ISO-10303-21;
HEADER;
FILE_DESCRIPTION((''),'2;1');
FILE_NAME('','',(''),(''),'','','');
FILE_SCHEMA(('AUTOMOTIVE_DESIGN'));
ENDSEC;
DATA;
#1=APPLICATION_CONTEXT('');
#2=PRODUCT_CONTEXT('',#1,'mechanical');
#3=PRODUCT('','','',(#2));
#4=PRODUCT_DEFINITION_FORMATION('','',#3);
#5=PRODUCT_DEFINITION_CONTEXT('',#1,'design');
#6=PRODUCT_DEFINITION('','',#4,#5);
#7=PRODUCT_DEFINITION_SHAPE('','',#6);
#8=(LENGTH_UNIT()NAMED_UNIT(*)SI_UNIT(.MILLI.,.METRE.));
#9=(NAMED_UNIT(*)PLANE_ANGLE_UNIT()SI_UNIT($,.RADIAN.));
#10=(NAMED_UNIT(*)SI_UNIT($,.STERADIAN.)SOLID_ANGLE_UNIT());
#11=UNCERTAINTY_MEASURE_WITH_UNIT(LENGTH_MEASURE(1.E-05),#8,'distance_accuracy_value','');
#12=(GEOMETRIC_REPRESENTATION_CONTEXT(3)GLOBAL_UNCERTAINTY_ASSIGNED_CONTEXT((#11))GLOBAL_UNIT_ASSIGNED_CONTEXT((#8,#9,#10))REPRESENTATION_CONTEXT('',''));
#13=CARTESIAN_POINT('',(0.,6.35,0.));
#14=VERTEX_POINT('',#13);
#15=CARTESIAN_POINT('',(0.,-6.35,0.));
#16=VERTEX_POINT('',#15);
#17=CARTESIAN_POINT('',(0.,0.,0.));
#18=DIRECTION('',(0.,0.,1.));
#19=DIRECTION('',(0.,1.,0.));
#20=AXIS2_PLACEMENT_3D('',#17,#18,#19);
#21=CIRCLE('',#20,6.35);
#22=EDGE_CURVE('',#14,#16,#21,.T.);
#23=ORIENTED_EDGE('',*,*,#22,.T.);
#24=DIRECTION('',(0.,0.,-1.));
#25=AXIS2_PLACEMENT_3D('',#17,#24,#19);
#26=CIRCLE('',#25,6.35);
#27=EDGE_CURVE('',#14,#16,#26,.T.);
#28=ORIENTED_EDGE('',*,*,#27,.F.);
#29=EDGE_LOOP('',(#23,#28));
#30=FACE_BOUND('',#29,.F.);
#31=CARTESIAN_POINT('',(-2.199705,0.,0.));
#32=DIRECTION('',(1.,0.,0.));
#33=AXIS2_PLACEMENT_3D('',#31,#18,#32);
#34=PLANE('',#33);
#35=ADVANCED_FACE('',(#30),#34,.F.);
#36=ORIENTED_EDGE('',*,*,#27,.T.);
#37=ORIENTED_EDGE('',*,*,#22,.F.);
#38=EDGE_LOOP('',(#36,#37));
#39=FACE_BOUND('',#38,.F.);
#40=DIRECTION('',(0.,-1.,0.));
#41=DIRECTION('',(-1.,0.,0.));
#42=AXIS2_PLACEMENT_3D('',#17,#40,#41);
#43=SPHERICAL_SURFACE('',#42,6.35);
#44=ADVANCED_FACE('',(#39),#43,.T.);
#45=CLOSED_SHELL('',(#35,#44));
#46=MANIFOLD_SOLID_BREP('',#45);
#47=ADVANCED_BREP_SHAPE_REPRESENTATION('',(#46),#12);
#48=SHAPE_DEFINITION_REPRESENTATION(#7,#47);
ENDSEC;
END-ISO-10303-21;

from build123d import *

# Parameters (mm, degrees)
F1_ANGLE = -180


with BuildPart() as f1:
    # F0 (on Top) → F1 (revolve)
    with BuildSketch(Plane.XY):
        with BuildLine():
            Line((0, -6.35), (0, 0))
            Line((0, 0), (0, 6.35))
            ThreePointArc((0, 6.35), (-6.35, 0), (0, -6.35))
        make_face()
    revolve(axis=Axis((0, 0, 0), (0, -1, 0)), revolution_arc=F1_ANGLE)


solid = f1.part
